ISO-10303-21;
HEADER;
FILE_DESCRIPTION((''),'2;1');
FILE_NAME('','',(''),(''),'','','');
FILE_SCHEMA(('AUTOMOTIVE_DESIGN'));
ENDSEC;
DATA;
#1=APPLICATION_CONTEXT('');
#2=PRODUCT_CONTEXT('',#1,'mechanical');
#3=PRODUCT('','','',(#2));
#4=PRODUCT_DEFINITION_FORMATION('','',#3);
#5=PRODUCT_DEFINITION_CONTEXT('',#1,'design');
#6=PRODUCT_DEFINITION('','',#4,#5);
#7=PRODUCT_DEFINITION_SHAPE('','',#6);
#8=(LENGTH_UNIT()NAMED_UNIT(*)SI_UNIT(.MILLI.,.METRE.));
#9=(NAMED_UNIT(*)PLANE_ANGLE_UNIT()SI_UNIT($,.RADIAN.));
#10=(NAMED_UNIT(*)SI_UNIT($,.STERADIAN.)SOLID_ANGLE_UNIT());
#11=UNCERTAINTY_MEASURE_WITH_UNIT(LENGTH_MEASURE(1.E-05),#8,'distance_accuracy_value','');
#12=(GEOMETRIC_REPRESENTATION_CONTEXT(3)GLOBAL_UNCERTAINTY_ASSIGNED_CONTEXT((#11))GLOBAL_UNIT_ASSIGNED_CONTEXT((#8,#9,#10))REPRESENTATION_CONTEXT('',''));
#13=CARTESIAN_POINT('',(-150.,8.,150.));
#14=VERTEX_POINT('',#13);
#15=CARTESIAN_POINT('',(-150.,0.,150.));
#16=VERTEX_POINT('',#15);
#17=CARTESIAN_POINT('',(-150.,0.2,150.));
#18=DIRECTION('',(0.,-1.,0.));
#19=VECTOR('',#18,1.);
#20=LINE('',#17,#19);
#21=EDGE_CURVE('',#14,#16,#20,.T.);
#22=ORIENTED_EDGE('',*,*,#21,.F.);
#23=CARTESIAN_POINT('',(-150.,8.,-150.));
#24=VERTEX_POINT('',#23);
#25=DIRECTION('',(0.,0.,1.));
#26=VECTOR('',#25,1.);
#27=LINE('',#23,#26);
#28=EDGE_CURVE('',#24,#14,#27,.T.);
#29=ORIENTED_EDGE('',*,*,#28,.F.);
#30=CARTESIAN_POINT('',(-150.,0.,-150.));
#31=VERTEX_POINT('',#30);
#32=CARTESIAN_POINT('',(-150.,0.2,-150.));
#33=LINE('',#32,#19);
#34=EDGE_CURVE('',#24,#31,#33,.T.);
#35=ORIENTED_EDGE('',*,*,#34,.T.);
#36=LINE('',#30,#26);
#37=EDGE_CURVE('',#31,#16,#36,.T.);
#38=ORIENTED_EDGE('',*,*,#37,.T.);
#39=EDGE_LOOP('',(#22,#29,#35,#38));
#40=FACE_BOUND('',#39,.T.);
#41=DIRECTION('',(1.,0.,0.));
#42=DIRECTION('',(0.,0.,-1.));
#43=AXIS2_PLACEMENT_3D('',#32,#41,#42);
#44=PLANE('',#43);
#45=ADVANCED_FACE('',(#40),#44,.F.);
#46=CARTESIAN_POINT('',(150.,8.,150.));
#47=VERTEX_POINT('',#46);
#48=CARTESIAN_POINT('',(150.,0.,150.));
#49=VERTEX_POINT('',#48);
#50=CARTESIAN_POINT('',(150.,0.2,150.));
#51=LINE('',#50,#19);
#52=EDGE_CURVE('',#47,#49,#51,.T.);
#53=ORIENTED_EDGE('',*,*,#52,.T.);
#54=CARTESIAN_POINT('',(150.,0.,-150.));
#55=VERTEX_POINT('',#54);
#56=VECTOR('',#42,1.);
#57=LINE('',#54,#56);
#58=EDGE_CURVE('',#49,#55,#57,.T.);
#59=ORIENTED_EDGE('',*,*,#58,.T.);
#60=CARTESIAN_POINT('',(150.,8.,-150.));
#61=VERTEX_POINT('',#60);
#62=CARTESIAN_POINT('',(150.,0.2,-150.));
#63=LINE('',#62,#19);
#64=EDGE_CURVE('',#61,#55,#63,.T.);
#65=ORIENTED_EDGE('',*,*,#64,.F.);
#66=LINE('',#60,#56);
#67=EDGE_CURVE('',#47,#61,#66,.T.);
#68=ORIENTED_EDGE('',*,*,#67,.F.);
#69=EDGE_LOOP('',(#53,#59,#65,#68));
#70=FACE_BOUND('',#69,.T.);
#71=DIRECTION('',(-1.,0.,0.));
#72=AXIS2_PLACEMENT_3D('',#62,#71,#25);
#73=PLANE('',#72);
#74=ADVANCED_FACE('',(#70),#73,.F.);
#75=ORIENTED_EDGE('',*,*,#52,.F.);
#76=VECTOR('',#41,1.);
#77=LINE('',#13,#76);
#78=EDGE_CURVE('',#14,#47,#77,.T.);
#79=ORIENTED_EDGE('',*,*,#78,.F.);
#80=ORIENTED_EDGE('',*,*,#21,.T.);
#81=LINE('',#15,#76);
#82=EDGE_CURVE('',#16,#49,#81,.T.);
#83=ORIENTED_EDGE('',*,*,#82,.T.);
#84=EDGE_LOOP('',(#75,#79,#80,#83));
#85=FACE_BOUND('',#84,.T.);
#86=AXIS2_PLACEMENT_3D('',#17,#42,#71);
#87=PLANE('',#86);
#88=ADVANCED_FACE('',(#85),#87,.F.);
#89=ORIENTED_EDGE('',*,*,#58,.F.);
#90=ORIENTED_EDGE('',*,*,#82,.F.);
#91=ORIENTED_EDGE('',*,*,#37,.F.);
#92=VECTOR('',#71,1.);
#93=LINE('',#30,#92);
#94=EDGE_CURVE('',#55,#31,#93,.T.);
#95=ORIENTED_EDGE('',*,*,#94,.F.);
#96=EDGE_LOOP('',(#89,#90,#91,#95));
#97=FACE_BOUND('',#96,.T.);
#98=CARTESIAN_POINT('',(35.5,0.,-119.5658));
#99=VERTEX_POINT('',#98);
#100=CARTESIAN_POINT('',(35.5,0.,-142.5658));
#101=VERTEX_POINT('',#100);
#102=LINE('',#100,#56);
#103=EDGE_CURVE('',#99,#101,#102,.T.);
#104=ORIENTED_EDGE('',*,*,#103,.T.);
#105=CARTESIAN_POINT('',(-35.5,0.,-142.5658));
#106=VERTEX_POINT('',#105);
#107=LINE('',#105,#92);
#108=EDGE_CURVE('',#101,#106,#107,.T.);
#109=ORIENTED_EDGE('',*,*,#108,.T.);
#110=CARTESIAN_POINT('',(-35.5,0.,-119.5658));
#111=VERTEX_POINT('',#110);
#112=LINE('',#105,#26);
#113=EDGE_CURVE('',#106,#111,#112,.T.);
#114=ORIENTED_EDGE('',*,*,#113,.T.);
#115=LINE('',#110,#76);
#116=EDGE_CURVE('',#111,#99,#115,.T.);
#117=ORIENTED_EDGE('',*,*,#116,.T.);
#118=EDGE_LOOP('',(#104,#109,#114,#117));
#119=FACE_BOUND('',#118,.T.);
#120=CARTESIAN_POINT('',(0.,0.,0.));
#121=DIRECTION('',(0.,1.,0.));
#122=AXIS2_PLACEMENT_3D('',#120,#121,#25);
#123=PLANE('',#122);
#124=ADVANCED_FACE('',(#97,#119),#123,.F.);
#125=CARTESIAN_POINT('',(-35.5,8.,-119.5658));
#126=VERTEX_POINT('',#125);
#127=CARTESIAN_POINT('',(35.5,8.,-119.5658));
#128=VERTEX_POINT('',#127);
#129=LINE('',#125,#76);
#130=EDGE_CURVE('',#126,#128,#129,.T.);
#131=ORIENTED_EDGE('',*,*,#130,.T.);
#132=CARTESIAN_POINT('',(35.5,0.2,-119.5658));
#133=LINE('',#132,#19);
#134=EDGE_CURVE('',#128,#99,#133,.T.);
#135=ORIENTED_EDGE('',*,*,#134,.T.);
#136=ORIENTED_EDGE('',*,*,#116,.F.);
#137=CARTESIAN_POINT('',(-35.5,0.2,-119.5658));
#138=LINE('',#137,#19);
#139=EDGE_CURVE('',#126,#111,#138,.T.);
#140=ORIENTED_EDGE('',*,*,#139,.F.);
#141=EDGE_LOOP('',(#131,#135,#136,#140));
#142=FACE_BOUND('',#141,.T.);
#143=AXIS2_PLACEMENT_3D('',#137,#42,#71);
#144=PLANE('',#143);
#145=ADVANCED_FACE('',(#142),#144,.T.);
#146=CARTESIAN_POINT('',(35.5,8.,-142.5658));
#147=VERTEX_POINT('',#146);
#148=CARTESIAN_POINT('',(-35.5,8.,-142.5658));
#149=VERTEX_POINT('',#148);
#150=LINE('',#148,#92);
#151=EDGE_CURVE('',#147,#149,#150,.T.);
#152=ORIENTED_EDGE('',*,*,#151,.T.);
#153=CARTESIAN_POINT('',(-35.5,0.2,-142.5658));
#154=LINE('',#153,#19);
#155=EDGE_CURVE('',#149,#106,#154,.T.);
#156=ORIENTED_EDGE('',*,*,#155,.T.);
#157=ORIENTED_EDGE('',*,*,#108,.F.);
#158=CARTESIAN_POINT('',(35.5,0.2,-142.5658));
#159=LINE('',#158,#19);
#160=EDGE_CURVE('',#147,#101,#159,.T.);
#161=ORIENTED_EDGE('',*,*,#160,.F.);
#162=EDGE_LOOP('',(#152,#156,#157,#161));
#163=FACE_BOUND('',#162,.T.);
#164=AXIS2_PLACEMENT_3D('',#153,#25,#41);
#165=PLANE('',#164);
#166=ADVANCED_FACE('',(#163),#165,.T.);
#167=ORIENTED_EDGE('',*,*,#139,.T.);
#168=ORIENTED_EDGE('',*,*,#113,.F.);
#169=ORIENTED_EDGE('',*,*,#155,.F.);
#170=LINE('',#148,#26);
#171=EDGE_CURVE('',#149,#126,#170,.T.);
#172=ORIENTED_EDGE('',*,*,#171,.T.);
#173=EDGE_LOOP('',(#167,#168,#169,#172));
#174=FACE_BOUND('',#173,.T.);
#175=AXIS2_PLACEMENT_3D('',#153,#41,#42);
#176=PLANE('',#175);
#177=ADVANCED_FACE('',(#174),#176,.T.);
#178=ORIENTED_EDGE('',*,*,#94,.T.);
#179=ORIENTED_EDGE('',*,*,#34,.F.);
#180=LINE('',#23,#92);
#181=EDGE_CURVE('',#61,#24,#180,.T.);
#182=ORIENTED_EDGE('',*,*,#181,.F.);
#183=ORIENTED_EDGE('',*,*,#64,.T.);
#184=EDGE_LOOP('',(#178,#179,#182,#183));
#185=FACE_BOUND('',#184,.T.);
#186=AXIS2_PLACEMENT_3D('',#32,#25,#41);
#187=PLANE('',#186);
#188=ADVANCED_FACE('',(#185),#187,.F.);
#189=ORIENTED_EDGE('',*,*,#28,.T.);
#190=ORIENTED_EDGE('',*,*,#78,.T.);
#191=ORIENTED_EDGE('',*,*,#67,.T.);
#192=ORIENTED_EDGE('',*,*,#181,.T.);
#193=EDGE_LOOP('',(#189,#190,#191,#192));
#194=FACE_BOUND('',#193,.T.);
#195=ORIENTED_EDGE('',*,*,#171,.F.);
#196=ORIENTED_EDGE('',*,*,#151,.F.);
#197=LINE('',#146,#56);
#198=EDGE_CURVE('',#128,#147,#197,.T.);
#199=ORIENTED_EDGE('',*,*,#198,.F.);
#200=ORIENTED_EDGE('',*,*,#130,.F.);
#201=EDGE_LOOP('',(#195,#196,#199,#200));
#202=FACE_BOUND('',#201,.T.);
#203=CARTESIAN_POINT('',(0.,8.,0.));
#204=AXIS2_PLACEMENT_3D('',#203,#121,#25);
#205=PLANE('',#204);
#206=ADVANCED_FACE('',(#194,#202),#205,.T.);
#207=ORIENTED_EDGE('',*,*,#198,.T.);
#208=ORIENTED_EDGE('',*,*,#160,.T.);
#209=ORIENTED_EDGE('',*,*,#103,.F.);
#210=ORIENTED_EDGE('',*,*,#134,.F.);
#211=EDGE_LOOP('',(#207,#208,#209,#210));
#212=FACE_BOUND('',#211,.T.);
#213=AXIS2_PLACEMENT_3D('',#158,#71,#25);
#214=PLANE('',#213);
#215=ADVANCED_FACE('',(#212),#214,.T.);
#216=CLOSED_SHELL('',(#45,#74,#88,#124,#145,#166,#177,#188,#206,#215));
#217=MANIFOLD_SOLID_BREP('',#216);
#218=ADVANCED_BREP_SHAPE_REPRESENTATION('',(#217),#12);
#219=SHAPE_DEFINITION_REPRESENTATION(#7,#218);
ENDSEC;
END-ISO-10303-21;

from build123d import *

# Parameters (mm, degrees)
SKETCH1_W           = 300
SKETCH1_H           = 300
SKETCH1_W_2         = 71
SKETCH1_H_2         = 23
BOSS_EXTRUDE1_DEPTH = 0.2
SKETCH1_3_W         = 300
SKETCH1_3_H         = 300
SKETCH1_3_W_2       = 71
SKETCH1_3_H_2       = 23
BOSS_EXTRUDE2_DEPTH = 8


with BuildPart() as part:
    # Sketch1 → Boss-Extrude1 (new body)
    with BuildSketch(Plane(origin=(0, 0, 0), x_dir=(1, 0, 0), z_dir=(0, 1, 0))):
        Rectangle(SKETCH1_W, SKETCH1_H)
        with Locations((0, 131.065800103)):
            Rectangle(SKETCH1_W_2, SKETCH1_H_2, mode=Mode.SUBTRACT)
    extrude(amount=BOSS_EXTRUDE1_DEPTH)

    # Sketch1<3> → Boss-Extrude2 (add)
    with BuildSketch(Plane(origin=(0, 0, 0), x_dir=(1, 0, 0), z_dir=(0, 1, 0))):
        Rectangle(SKETCH1_3_W, SKETCH1_3_H)
        with Locations((0, 131.065800103)):
            Rectangle(SKETCH1_3_W_2, SKETCH1_3_H_2, mode=Mode.SUBTRACT)
    extrude(amount=BOSS_EXTRUDE2_DEPTH)


solid = part.part
